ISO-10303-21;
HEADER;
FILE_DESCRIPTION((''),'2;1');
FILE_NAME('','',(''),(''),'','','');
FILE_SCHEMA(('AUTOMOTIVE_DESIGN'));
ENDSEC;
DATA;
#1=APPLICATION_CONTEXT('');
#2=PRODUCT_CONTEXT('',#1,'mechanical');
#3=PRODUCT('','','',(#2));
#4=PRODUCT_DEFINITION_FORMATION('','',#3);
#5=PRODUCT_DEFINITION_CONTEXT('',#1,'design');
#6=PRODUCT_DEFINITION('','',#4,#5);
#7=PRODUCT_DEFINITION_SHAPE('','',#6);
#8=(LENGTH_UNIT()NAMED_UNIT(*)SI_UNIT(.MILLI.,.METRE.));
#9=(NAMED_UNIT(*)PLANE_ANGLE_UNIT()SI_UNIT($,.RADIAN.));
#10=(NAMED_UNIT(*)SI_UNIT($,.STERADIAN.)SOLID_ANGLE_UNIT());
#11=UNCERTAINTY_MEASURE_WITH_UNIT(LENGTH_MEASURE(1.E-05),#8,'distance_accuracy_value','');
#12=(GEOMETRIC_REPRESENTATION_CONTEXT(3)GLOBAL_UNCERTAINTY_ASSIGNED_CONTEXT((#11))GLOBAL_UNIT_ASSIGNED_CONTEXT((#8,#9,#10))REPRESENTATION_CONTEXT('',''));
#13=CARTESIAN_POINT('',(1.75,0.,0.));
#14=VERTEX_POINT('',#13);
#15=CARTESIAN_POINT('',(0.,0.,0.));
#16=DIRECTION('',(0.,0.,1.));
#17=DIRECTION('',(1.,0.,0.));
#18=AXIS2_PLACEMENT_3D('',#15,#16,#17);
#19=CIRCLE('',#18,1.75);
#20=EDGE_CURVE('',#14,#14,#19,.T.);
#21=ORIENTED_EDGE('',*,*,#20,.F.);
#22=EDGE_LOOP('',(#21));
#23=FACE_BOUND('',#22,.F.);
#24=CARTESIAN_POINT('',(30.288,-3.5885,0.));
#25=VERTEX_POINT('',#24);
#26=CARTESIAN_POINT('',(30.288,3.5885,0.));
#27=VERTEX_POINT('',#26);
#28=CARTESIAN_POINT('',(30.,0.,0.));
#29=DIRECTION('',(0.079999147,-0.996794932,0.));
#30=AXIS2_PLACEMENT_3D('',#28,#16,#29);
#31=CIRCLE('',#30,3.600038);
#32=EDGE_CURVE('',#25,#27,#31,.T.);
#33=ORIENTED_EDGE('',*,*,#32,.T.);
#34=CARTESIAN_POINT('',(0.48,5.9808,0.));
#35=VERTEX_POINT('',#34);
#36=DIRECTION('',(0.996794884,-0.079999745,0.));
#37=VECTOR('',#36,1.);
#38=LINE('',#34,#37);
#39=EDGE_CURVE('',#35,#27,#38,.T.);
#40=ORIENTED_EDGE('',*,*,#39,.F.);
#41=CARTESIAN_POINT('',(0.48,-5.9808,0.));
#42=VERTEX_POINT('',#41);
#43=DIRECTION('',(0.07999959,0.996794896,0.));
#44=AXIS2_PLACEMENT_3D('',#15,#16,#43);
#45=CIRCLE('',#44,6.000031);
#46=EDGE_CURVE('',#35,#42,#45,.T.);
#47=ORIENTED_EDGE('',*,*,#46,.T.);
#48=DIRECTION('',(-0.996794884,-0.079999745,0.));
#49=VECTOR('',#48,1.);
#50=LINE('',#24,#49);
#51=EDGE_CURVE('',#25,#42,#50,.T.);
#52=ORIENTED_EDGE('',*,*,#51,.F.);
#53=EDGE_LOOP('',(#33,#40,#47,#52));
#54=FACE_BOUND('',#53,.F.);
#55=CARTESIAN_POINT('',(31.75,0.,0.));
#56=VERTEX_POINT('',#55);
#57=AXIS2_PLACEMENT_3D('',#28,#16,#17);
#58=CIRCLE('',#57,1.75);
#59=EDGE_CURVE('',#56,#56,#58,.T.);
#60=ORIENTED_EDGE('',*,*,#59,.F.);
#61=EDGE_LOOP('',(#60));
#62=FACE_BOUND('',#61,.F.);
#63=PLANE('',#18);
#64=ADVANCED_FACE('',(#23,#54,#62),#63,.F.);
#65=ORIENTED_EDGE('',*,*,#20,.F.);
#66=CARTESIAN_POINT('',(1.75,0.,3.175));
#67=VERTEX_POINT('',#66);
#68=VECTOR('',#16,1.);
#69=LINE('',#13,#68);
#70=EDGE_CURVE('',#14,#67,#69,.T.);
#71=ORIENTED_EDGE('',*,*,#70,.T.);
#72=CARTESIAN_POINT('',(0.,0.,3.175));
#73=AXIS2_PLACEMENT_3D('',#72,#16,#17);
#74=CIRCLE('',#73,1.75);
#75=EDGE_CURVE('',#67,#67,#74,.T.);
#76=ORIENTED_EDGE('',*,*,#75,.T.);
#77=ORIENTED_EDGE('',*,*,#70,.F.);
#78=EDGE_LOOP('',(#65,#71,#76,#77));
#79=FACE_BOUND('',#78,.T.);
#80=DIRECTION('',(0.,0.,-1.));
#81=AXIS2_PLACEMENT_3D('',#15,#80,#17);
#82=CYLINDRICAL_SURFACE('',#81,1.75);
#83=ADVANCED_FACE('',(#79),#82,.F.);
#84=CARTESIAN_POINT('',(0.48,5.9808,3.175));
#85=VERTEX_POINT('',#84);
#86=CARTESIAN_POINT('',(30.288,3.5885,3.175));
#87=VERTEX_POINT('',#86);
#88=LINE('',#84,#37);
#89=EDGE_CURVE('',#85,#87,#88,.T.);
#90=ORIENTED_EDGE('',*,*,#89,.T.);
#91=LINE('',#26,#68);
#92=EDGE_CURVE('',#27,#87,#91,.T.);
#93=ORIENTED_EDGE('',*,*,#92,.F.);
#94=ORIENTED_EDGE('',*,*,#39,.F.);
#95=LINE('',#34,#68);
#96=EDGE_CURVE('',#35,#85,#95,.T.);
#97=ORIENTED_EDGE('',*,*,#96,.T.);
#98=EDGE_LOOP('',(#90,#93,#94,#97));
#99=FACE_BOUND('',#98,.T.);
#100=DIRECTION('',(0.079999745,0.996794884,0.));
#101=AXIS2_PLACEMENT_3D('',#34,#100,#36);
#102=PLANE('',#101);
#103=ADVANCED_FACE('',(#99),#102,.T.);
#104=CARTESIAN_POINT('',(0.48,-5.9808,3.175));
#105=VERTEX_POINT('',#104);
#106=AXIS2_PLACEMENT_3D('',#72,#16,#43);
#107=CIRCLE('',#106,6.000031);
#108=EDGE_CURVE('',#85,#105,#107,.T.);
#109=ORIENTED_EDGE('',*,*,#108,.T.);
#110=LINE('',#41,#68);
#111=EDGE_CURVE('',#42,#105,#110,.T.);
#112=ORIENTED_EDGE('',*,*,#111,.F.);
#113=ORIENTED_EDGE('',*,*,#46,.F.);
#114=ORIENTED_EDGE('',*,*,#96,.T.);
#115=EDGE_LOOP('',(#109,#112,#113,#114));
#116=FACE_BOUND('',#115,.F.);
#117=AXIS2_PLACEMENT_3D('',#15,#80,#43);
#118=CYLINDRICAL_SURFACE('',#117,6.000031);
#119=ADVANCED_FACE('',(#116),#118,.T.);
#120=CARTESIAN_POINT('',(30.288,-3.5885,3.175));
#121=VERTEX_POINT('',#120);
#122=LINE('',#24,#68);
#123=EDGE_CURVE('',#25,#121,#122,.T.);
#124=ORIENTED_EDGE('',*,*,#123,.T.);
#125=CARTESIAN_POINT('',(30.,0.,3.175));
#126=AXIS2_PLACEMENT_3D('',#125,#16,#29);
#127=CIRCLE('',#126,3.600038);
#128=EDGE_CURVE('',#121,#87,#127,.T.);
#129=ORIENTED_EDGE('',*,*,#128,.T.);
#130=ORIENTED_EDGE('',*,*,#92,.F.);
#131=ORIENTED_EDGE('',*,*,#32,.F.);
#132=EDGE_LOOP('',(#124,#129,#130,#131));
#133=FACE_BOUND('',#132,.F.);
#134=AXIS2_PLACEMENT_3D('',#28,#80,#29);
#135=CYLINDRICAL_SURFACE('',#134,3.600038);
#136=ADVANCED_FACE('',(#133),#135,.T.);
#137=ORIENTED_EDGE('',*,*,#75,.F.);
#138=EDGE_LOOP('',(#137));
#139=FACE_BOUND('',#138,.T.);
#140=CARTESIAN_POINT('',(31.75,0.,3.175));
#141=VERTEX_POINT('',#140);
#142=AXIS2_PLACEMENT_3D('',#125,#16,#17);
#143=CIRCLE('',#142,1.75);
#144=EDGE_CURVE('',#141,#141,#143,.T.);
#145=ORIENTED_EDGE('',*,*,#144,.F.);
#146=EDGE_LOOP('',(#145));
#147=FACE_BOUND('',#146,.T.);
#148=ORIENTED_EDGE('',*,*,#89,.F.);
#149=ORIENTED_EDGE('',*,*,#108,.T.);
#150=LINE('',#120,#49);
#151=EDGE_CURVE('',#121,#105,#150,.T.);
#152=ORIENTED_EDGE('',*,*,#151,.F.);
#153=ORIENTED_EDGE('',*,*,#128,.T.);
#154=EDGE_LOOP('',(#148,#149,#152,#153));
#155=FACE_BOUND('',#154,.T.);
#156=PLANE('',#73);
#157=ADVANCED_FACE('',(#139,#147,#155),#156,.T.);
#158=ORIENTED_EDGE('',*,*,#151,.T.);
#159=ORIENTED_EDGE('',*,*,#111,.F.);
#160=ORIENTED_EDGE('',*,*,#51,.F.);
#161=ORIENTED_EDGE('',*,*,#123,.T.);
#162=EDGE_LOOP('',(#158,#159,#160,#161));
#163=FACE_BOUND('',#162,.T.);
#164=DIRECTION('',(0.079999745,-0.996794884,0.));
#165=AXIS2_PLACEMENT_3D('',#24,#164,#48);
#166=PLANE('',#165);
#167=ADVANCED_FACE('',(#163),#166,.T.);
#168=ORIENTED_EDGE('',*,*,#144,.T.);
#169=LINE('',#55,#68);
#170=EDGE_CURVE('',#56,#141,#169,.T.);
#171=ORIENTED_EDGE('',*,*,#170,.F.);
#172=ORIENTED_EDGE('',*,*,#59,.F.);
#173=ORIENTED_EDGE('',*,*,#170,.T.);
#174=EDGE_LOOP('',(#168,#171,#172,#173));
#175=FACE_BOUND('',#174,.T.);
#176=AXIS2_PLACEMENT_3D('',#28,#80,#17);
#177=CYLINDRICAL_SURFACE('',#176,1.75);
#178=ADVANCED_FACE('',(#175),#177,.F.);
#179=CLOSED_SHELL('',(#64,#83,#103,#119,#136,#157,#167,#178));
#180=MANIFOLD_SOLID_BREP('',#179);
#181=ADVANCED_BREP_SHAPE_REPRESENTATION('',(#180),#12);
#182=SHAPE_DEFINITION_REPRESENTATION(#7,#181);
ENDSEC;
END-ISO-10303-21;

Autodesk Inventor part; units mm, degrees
ref_plane "YZ Plane" through (0, 0, 0) normal (1, 0, 0) x (0, 1, 0)
ref_plane "XZ Plane" through (0, 0, 0) normal (0, 1, 0) x (-1, 0, 0)
ref_plane "XY Plane" through (0, 0, 0) normal (0, 0, 1) x (1, 0, 0)
sketch "Sketch1" plane through (0, 0, 0) normal (0, 0, 1) x (1, 0, 0)
  circle A0 centre (0, 0) radius 1.75
  line L0 (0.48, 5.9808) -> (30.288, 3.5885)
  arc A1 (30.288, -3.5885) -> (30.288, 3.5885) centre (30, 0) ccw
  line L1 (30.288, -3.5885) -> (0.48, -5.9808)
  arc A2 (0.48, 5.9808) -> (0.48, -5.9808) centre (0, 0) ccw
  circle A3 centre (30, 0) radius 1.75
  dimension "d0" = 3.5
  dimension "d1" = 6
  dimension "d2" = 30
  dimension "d9" = 3.5
  dimension "d10" = 3.6
extrude "Extrusion1" add sketch "Sketch1" along normal blind 3.175
properties part number "tipper_link_D_support"
